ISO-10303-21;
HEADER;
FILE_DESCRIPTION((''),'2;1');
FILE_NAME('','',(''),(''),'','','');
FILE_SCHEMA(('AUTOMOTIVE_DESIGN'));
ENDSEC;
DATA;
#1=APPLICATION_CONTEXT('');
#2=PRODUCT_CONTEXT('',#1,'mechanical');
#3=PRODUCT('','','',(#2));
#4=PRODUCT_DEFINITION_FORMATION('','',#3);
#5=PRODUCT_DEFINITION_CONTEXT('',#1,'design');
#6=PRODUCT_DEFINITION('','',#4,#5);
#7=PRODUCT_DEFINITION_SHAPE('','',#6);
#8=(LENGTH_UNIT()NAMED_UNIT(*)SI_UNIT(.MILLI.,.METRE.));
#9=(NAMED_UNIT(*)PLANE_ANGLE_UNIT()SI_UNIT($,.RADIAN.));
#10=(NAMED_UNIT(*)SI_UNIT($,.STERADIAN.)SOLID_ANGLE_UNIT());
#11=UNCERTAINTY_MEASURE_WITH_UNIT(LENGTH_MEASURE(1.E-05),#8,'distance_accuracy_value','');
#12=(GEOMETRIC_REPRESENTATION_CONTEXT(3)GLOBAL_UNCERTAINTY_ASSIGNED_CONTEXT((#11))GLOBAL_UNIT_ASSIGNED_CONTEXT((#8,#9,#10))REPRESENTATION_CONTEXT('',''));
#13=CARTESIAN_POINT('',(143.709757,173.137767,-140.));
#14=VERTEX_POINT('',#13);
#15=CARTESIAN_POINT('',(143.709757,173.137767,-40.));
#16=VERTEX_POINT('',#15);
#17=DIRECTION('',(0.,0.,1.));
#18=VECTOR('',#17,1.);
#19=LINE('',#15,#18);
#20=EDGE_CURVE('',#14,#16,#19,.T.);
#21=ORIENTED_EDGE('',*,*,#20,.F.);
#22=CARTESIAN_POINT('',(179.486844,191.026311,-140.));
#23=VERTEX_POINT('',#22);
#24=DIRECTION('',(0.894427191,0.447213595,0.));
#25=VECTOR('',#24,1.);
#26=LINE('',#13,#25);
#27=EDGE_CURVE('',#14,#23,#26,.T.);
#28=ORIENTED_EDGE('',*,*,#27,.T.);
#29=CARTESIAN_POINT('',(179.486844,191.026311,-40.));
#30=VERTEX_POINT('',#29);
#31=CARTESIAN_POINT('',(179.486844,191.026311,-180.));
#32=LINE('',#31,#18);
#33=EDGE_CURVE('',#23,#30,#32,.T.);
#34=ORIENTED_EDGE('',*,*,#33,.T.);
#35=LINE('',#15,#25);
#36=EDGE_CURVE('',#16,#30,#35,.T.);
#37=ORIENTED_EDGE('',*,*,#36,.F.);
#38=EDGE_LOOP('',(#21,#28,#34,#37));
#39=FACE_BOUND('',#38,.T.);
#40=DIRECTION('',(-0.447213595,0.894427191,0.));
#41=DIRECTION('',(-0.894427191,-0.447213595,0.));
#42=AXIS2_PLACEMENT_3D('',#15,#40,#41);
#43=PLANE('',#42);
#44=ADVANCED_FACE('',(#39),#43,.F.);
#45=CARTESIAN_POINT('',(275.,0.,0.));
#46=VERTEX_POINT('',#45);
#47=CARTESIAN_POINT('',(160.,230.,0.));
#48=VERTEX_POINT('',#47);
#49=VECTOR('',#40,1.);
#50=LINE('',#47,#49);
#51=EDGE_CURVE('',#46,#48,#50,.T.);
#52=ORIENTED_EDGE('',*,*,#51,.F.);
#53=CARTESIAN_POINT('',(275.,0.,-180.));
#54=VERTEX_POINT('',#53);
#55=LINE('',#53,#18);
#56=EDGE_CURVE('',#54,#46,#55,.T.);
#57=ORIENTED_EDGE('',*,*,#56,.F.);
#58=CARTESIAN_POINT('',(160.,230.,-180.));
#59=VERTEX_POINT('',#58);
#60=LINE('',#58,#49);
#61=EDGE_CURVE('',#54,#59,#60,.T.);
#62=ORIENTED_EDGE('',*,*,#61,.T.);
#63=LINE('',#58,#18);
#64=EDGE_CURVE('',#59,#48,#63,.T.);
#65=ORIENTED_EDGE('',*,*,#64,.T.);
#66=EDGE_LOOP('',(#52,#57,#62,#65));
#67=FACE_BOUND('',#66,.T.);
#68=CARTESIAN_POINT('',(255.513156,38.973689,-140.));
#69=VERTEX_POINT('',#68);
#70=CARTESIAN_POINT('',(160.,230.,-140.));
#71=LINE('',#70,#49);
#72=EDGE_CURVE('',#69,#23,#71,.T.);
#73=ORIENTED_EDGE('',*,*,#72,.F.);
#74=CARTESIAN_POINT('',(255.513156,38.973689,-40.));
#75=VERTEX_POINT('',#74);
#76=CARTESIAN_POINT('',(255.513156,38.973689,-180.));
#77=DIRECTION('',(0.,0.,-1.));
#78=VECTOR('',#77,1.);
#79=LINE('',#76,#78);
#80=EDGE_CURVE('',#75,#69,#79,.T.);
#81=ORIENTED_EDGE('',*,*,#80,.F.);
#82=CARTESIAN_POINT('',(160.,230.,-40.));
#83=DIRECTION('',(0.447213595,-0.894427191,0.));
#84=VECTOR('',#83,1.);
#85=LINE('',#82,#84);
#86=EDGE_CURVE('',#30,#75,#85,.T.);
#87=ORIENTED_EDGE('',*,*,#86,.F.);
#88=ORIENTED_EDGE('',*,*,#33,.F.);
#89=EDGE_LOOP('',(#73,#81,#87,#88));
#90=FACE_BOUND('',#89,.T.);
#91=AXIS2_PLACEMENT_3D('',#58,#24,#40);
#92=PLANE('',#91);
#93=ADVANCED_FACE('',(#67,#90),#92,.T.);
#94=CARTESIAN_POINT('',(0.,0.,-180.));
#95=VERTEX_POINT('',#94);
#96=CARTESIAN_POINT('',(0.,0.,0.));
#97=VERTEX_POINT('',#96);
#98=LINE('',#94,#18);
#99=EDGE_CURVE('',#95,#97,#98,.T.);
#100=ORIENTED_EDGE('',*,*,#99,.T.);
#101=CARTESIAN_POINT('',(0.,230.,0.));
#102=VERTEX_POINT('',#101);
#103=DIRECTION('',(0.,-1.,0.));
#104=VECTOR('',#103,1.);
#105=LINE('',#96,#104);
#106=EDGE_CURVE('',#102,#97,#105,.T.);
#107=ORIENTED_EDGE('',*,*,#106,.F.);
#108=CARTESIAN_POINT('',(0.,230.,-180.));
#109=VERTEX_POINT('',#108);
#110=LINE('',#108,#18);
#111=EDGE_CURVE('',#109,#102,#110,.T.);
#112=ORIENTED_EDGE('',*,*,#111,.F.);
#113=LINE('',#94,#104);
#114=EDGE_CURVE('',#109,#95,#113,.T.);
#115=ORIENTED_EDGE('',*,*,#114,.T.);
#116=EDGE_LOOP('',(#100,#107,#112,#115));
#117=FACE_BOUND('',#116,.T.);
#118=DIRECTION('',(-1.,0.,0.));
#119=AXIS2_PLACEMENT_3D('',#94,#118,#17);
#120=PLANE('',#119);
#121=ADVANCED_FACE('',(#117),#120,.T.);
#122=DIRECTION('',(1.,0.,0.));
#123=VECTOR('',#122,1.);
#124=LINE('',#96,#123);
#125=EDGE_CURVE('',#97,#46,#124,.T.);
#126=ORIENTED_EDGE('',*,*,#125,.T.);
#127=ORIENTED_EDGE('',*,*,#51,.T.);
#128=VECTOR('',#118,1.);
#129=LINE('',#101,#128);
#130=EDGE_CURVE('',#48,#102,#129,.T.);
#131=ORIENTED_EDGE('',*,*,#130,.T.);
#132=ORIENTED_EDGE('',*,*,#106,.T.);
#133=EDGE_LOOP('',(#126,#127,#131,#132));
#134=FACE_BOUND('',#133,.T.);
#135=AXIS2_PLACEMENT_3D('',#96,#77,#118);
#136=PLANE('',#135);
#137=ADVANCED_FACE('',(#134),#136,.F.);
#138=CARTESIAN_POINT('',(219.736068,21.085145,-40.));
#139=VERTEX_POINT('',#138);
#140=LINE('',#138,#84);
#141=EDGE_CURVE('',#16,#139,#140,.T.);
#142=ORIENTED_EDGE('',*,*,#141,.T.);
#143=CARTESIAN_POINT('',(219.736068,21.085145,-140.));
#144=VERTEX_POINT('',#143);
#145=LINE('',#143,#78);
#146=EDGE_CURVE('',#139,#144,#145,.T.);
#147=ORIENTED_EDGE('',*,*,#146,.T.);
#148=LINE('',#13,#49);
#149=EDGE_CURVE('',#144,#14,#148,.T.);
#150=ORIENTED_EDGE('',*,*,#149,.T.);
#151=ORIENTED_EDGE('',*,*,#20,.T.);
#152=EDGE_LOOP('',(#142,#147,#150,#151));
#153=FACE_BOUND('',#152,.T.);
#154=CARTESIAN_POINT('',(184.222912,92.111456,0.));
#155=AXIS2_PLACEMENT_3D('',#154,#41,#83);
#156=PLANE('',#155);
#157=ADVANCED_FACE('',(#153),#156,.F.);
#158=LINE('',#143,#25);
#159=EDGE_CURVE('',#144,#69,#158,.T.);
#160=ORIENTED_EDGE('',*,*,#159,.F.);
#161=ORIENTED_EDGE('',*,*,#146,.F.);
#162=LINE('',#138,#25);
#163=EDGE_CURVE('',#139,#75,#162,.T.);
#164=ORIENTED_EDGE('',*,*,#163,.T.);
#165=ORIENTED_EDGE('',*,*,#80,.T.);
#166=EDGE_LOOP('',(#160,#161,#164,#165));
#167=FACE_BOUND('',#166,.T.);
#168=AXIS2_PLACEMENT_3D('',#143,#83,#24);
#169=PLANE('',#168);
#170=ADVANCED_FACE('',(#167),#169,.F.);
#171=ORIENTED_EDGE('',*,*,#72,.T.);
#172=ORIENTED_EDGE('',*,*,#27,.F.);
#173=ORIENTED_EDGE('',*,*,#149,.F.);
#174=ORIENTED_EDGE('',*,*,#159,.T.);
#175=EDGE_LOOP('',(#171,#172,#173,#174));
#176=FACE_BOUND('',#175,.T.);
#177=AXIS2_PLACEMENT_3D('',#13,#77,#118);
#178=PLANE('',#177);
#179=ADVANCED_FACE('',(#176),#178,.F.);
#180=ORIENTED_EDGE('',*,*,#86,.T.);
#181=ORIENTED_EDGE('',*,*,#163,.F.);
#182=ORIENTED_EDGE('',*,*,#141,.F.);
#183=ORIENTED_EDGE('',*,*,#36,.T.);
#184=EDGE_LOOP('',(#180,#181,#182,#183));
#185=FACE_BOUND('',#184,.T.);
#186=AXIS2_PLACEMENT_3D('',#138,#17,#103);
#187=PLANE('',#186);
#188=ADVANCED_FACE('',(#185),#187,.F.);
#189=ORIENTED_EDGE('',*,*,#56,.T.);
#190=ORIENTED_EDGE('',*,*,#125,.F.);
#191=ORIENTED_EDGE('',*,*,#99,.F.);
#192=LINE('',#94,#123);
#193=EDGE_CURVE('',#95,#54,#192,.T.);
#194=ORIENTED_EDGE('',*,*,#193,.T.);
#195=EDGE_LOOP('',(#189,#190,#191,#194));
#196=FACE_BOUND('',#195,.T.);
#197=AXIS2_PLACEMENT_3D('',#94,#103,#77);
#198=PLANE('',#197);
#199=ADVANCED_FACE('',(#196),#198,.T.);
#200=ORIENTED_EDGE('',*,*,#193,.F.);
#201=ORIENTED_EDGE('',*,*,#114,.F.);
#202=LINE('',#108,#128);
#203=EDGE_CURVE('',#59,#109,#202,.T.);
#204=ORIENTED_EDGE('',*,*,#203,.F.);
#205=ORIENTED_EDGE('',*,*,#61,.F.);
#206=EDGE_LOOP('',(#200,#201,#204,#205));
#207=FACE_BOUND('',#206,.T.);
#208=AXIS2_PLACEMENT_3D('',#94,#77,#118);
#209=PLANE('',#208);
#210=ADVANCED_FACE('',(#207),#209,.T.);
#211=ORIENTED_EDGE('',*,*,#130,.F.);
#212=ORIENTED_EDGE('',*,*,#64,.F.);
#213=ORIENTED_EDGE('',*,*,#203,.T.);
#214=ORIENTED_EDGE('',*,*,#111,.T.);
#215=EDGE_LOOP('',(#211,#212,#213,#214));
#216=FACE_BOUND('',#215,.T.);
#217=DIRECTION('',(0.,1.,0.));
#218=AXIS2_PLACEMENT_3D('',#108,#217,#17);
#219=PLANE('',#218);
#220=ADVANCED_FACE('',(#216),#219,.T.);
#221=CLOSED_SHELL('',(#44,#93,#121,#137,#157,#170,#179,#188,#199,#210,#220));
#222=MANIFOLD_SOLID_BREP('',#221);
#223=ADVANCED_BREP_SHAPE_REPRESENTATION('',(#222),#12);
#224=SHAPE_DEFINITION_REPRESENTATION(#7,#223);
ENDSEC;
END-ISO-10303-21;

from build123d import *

# Parameters (mm, degrees)
BOSS_EXTRUDE1_DEPTH = 180
SKETCH3_W           = 100
SKETCH3_H           = 170
CUT_EXTRUDE4_DEPTH  = 50


with BuildPart() as part:
    # Sketch1 → Boss-Extrude1 (new body)
    with BuildSketch(Plane.XY):
        Polygon((0, 0), (275, 0), (160, 230), (0, 230), align=None)
    extrude(amount=-BOSS_EXTRUDE1_DEPTH)

    # Sketch3 → Cut-Extrude4 (cut)
    with BuildSketch(Plane(origin=(228.94427191, 114.472135955, 0), x_dir=(0, 0, -1), z_dir=(0.894427191, 0.447213595, 0))):
        with Locations((90, 5.590169944)):
            Rectangle(SKETCH3_W, SKETCH3_H)
    extrude(amount=-CUT_EXTRUDE4_DEPTH, mode=Mode.SUBTRACT)


solid = part.part
